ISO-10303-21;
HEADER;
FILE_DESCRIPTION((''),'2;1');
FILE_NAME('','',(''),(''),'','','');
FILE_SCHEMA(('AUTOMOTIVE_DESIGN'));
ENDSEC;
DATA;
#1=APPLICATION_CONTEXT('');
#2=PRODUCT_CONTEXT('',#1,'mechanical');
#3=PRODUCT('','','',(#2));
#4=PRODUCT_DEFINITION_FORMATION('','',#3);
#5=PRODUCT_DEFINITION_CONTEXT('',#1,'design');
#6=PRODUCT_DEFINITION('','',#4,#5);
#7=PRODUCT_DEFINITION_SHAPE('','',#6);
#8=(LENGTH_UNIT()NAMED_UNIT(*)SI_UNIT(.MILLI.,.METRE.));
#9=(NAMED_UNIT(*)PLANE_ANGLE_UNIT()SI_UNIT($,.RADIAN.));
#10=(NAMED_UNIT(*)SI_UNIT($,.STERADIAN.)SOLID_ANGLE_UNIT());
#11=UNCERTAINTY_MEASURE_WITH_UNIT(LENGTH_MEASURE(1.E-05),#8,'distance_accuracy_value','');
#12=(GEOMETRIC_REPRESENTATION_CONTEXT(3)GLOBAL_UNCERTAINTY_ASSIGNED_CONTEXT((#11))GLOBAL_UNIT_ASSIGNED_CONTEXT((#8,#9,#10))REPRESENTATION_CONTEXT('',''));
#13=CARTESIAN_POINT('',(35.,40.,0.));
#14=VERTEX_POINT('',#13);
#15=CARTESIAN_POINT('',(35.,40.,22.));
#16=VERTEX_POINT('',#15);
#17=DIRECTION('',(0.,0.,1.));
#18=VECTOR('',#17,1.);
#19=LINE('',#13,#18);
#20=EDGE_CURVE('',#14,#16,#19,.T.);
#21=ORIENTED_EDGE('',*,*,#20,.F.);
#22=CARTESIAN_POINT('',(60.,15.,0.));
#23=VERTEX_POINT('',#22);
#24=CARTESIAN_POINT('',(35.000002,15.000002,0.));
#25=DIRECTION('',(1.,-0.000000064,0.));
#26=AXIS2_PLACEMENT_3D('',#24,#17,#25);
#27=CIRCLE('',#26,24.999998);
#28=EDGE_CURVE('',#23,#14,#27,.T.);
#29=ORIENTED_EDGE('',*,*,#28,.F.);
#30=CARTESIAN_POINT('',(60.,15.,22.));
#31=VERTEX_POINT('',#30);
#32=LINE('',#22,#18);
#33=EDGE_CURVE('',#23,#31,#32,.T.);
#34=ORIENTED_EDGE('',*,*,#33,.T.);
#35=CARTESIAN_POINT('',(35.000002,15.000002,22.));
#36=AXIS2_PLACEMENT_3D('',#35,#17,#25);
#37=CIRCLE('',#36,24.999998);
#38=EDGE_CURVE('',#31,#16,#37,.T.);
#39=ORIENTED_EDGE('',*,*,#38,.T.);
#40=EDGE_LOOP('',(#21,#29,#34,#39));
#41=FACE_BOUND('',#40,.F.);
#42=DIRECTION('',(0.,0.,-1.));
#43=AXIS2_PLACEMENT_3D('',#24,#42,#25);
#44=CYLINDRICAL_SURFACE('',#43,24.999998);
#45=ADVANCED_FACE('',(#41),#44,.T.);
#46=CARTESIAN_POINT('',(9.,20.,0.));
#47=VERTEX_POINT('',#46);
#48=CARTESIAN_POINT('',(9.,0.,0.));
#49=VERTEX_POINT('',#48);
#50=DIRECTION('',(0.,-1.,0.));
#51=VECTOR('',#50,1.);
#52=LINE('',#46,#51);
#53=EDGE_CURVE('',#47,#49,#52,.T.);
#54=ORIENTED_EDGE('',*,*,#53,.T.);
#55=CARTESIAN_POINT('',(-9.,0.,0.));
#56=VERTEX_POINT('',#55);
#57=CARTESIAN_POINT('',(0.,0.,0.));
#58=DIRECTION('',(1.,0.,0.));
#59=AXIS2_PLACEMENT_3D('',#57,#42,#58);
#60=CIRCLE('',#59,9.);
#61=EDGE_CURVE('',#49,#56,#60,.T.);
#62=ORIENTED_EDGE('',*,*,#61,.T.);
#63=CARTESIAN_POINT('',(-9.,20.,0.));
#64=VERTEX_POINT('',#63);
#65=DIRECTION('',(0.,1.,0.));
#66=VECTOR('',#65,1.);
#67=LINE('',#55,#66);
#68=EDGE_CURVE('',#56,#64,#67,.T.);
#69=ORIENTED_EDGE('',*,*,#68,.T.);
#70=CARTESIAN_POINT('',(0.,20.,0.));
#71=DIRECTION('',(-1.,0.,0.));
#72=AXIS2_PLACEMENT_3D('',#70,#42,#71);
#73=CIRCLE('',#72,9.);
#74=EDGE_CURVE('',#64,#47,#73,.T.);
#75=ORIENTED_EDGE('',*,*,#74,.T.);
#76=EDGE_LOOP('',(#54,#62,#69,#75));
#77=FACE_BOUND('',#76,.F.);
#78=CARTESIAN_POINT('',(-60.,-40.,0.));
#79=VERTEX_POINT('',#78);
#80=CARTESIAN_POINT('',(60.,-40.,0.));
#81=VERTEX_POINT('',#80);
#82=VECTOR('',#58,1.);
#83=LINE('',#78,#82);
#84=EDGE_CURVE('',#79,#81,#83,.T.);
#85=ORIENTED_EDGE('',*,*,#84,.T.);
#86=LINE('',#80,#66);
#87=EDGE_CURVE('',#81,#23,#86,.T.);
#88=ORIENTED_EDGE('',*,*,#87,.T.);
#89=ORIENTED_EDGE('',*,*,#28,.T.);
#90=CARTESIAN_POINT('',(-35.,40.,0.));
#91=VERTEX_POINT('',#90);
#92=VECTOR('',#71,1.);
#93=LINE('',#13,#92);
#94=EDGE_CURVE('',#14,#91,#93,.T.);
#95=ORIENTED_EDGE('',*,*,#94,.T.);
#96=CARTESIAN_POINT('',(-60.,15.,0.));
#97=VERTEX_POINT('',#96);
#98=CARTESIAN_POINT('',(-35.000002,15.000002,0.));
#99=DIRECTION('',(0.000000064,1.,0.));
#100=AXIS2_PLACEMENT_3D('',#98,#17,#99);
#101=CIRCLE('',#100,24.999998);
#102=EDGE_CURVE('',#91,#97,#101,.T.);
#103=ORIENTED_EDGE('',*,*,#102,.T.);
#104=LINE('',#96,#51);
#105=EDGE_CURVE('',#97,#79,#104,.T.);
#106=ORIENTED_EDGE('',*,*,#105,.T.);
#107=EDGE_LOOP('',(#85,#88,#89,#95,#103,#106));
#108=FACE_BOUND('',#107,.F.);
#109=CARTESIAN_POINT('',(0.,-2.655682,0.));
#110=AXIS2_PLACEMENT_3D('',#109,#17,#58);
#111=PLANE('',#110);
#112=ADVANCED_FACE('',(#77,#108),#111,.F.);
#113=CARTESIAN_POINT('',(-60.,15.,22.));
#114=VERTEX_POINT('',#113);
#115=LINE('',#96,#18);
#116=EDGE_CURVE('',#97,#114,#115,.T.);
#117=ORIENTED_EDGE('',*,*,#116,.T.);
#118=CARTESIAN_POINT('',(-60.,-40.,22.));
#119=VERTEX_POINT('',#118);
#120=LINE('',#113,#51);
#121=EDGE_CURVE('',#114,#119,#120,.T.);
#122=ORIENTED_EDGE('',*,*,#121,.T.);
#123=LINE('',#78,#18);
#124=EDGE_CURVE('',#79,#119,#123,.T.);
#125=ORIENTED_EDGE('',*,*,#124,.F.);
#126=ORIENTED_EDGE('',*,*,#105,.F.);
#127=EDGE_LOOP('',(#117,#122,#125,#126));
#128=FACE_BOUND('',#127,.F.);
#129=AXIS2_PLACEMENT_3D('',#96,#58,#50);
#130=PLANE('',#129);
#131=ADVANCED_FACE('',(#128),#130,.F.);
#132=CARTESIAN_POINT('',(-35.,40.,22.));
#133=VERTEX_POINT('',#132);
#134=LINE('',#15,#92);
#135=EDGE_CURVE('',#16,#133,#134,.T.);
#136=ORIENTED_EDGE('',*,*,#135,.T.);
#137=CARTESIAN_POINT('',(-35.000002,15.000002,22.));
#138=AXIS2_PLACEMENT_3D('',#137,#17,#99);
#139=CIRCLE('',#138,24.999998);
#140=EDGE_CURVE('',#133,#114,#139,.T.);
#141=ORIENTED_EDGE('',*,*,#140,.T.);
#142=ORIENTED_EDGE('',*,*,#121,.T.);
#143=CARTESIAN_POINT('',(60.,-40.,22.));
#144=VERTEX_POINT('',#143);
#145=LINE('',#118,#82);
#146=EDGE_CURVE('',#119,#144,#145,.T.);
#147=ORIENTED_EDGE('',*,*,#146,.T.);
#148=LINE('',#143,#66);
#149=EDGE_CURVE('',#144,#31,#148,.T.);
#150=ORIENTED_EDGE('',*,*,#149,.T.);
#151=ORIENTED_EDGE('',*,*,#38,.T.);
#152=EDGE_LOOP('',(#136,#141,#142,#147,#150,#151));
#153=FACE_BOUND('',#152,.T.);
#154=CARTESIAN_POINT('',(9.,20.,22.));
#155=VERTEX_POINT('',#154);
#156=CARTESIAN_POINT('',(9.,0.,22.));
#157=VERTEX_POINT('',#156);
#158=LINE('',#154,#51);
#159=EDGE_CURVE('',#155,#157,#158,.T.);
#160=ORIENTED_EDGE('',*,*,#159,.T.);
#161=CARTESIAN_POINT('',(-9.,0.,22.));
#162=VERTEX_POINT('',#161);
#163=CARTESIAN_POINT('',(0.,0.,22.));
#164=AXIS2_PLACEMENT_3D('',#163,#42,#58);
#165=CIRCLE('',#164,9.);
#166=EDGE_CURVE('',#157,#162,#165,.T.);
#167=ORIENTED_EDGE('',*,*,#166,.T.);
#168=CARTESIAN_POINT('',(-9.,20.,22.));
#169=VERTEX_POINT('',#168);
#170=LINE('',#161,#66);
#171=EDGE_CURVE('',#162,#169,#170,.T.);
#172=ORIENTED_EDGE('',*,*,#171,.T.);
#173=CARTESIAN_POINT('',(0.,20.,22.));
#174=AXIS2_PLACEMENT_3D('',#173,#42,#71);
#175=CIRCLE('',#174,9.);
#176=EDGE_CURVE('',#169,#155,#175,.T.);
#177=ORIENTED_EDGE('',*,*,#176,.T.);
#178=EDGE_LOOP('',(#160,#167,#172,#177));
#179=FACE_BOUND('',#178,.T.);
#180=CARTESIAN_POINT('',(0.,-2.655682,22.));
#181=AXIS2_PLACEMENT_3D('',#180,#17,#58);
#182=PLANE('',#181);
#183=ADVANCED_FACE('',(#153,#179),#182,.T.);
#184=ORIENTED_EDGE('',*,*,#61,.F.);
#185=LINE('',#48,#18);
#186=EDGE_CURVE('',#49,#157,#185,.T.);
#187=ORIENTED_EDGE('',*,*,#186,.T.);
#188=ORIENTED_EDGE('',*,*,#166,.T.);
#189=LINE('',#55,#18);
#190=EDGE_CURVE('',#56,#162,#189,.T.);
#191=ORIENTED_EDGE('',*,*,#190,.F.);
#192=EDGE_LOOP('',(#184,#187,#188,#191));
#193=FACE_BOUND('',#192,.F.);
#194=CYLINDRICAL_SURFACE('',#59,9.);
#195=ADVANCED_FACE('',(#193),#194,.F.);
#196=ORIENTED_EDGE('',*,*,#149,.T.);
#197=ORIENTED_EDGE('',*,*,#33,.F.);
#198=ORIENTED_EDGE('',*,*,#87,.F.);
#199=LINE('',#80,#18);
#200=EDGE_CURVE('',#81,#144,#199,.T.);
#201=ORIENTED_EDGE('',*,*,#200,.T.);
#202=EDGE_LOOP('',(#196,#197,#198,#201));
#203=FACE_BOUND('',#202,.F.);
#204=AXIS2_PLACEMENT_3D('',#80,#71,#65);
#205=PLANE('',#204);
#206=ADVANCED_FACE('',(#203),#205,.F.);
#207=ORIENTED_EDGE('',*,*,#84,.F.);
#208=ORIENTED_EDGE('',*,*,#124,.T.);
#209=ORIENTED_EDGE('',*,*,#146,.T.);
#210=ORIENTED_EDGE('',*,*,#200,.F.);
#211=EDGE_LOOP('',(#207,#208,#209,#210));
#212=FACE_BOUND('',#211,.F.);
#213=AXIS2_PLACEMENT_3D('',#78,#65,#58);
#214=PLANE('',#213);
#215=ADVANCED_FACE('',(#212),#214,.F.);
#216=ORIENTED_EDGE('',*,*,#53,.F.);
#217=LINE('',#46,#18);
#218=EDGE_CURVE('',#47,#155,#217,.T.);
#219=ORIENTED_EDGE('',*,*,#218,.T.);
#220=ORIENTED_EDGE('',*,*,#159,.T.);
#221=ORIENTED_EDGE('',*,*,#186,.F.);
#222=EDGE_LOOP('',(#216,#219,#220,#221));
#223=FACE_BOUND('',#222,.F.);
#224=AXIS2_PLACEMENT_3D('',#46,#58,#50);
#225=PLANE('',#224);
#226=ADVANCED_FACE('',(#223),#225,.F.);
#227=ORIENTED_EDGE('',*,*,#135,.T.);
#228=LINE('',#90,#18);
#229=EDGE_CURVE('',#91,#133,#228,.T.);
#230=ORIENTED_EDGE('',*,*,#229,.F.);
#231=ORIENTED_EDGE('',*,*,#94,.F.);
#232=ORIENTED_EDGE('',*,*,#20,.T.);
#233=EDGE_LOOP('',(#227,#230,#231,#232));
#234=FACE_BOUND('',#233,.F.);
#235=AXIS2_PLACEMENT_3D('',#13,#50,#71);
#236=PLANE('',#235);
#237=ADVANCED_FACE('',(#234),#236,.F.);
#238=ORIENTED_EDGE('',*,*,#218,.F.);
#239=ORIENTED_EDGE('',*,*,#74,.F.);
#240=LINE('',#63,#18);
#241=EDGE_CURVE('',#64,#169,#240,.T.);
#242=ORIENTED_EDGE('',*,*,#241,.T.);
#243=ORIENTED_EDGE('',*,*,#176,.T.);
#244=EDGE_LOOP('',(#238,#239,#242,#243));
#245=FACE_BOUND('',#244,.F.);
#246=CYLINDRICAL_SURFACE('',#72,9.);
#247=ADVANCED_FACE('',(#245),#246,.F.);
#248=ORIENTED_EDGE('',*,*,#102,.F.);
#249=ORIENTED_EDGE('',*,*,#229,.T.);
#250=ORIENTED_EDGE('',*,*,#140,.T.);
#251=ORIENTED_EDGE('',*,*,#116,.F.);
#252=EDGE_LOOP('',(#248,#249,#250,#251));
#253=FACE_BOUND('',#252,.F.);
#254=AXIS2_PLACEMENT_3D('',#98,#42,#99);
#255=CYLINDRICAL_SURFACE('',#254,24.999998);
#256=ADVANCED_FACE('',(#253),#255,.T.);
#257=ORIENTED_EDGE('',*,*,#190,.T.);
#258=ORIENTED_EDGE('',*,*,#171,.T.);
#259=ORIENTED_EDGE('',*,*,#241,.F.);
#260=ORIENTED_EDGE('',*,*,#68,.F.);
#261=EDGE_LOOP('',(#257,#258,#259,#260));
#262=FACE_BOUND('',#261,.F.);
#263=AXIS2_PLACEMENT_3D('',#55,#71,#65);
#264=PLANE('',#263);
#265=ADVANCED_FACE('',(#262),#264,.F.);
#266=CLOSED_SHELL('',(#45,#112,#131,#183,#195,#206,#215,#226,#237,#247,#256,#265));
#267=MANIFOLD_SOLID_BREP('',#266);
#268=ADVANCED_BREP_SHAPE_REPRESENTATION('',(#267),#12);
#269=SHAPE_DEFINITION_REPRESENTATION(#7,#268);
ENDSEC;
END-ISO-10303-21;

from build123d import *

# Parameters (mm, degrees)
F1_DEPTH = 22


with BuildPart() as f1:
    # F0 (on Top) → F1 (new body)
    with BuildSketch(Plane.XY):
        with BuildLine():
            ThreePointArc((60, 15), (52.67767, 32.67767), (35, 40))
            Line((35, 40), (-35, 40))
            ThreePointArc((-35, 40), (-52.67767, 32.67767), (-60, 15))
            Line((-60, 15), (-60, -40))
            Line((-60, -40), (60, -40))
            Line((60, -40), (60, 15))
        make_face()
        with BuildLine():
            ThreePointArc((-9, 20), (0, 29), (9, 20))
            Line((9, 20), (9, 0))
            ThreePointArc((9, 0), (0, -9), (-9, 0))
            Line((-9, 0), (-9, 20))
        make_face(mode=Mode.SUBTRACT)
    extrude(amount=F1_DEPTH)


solid = f1.part
